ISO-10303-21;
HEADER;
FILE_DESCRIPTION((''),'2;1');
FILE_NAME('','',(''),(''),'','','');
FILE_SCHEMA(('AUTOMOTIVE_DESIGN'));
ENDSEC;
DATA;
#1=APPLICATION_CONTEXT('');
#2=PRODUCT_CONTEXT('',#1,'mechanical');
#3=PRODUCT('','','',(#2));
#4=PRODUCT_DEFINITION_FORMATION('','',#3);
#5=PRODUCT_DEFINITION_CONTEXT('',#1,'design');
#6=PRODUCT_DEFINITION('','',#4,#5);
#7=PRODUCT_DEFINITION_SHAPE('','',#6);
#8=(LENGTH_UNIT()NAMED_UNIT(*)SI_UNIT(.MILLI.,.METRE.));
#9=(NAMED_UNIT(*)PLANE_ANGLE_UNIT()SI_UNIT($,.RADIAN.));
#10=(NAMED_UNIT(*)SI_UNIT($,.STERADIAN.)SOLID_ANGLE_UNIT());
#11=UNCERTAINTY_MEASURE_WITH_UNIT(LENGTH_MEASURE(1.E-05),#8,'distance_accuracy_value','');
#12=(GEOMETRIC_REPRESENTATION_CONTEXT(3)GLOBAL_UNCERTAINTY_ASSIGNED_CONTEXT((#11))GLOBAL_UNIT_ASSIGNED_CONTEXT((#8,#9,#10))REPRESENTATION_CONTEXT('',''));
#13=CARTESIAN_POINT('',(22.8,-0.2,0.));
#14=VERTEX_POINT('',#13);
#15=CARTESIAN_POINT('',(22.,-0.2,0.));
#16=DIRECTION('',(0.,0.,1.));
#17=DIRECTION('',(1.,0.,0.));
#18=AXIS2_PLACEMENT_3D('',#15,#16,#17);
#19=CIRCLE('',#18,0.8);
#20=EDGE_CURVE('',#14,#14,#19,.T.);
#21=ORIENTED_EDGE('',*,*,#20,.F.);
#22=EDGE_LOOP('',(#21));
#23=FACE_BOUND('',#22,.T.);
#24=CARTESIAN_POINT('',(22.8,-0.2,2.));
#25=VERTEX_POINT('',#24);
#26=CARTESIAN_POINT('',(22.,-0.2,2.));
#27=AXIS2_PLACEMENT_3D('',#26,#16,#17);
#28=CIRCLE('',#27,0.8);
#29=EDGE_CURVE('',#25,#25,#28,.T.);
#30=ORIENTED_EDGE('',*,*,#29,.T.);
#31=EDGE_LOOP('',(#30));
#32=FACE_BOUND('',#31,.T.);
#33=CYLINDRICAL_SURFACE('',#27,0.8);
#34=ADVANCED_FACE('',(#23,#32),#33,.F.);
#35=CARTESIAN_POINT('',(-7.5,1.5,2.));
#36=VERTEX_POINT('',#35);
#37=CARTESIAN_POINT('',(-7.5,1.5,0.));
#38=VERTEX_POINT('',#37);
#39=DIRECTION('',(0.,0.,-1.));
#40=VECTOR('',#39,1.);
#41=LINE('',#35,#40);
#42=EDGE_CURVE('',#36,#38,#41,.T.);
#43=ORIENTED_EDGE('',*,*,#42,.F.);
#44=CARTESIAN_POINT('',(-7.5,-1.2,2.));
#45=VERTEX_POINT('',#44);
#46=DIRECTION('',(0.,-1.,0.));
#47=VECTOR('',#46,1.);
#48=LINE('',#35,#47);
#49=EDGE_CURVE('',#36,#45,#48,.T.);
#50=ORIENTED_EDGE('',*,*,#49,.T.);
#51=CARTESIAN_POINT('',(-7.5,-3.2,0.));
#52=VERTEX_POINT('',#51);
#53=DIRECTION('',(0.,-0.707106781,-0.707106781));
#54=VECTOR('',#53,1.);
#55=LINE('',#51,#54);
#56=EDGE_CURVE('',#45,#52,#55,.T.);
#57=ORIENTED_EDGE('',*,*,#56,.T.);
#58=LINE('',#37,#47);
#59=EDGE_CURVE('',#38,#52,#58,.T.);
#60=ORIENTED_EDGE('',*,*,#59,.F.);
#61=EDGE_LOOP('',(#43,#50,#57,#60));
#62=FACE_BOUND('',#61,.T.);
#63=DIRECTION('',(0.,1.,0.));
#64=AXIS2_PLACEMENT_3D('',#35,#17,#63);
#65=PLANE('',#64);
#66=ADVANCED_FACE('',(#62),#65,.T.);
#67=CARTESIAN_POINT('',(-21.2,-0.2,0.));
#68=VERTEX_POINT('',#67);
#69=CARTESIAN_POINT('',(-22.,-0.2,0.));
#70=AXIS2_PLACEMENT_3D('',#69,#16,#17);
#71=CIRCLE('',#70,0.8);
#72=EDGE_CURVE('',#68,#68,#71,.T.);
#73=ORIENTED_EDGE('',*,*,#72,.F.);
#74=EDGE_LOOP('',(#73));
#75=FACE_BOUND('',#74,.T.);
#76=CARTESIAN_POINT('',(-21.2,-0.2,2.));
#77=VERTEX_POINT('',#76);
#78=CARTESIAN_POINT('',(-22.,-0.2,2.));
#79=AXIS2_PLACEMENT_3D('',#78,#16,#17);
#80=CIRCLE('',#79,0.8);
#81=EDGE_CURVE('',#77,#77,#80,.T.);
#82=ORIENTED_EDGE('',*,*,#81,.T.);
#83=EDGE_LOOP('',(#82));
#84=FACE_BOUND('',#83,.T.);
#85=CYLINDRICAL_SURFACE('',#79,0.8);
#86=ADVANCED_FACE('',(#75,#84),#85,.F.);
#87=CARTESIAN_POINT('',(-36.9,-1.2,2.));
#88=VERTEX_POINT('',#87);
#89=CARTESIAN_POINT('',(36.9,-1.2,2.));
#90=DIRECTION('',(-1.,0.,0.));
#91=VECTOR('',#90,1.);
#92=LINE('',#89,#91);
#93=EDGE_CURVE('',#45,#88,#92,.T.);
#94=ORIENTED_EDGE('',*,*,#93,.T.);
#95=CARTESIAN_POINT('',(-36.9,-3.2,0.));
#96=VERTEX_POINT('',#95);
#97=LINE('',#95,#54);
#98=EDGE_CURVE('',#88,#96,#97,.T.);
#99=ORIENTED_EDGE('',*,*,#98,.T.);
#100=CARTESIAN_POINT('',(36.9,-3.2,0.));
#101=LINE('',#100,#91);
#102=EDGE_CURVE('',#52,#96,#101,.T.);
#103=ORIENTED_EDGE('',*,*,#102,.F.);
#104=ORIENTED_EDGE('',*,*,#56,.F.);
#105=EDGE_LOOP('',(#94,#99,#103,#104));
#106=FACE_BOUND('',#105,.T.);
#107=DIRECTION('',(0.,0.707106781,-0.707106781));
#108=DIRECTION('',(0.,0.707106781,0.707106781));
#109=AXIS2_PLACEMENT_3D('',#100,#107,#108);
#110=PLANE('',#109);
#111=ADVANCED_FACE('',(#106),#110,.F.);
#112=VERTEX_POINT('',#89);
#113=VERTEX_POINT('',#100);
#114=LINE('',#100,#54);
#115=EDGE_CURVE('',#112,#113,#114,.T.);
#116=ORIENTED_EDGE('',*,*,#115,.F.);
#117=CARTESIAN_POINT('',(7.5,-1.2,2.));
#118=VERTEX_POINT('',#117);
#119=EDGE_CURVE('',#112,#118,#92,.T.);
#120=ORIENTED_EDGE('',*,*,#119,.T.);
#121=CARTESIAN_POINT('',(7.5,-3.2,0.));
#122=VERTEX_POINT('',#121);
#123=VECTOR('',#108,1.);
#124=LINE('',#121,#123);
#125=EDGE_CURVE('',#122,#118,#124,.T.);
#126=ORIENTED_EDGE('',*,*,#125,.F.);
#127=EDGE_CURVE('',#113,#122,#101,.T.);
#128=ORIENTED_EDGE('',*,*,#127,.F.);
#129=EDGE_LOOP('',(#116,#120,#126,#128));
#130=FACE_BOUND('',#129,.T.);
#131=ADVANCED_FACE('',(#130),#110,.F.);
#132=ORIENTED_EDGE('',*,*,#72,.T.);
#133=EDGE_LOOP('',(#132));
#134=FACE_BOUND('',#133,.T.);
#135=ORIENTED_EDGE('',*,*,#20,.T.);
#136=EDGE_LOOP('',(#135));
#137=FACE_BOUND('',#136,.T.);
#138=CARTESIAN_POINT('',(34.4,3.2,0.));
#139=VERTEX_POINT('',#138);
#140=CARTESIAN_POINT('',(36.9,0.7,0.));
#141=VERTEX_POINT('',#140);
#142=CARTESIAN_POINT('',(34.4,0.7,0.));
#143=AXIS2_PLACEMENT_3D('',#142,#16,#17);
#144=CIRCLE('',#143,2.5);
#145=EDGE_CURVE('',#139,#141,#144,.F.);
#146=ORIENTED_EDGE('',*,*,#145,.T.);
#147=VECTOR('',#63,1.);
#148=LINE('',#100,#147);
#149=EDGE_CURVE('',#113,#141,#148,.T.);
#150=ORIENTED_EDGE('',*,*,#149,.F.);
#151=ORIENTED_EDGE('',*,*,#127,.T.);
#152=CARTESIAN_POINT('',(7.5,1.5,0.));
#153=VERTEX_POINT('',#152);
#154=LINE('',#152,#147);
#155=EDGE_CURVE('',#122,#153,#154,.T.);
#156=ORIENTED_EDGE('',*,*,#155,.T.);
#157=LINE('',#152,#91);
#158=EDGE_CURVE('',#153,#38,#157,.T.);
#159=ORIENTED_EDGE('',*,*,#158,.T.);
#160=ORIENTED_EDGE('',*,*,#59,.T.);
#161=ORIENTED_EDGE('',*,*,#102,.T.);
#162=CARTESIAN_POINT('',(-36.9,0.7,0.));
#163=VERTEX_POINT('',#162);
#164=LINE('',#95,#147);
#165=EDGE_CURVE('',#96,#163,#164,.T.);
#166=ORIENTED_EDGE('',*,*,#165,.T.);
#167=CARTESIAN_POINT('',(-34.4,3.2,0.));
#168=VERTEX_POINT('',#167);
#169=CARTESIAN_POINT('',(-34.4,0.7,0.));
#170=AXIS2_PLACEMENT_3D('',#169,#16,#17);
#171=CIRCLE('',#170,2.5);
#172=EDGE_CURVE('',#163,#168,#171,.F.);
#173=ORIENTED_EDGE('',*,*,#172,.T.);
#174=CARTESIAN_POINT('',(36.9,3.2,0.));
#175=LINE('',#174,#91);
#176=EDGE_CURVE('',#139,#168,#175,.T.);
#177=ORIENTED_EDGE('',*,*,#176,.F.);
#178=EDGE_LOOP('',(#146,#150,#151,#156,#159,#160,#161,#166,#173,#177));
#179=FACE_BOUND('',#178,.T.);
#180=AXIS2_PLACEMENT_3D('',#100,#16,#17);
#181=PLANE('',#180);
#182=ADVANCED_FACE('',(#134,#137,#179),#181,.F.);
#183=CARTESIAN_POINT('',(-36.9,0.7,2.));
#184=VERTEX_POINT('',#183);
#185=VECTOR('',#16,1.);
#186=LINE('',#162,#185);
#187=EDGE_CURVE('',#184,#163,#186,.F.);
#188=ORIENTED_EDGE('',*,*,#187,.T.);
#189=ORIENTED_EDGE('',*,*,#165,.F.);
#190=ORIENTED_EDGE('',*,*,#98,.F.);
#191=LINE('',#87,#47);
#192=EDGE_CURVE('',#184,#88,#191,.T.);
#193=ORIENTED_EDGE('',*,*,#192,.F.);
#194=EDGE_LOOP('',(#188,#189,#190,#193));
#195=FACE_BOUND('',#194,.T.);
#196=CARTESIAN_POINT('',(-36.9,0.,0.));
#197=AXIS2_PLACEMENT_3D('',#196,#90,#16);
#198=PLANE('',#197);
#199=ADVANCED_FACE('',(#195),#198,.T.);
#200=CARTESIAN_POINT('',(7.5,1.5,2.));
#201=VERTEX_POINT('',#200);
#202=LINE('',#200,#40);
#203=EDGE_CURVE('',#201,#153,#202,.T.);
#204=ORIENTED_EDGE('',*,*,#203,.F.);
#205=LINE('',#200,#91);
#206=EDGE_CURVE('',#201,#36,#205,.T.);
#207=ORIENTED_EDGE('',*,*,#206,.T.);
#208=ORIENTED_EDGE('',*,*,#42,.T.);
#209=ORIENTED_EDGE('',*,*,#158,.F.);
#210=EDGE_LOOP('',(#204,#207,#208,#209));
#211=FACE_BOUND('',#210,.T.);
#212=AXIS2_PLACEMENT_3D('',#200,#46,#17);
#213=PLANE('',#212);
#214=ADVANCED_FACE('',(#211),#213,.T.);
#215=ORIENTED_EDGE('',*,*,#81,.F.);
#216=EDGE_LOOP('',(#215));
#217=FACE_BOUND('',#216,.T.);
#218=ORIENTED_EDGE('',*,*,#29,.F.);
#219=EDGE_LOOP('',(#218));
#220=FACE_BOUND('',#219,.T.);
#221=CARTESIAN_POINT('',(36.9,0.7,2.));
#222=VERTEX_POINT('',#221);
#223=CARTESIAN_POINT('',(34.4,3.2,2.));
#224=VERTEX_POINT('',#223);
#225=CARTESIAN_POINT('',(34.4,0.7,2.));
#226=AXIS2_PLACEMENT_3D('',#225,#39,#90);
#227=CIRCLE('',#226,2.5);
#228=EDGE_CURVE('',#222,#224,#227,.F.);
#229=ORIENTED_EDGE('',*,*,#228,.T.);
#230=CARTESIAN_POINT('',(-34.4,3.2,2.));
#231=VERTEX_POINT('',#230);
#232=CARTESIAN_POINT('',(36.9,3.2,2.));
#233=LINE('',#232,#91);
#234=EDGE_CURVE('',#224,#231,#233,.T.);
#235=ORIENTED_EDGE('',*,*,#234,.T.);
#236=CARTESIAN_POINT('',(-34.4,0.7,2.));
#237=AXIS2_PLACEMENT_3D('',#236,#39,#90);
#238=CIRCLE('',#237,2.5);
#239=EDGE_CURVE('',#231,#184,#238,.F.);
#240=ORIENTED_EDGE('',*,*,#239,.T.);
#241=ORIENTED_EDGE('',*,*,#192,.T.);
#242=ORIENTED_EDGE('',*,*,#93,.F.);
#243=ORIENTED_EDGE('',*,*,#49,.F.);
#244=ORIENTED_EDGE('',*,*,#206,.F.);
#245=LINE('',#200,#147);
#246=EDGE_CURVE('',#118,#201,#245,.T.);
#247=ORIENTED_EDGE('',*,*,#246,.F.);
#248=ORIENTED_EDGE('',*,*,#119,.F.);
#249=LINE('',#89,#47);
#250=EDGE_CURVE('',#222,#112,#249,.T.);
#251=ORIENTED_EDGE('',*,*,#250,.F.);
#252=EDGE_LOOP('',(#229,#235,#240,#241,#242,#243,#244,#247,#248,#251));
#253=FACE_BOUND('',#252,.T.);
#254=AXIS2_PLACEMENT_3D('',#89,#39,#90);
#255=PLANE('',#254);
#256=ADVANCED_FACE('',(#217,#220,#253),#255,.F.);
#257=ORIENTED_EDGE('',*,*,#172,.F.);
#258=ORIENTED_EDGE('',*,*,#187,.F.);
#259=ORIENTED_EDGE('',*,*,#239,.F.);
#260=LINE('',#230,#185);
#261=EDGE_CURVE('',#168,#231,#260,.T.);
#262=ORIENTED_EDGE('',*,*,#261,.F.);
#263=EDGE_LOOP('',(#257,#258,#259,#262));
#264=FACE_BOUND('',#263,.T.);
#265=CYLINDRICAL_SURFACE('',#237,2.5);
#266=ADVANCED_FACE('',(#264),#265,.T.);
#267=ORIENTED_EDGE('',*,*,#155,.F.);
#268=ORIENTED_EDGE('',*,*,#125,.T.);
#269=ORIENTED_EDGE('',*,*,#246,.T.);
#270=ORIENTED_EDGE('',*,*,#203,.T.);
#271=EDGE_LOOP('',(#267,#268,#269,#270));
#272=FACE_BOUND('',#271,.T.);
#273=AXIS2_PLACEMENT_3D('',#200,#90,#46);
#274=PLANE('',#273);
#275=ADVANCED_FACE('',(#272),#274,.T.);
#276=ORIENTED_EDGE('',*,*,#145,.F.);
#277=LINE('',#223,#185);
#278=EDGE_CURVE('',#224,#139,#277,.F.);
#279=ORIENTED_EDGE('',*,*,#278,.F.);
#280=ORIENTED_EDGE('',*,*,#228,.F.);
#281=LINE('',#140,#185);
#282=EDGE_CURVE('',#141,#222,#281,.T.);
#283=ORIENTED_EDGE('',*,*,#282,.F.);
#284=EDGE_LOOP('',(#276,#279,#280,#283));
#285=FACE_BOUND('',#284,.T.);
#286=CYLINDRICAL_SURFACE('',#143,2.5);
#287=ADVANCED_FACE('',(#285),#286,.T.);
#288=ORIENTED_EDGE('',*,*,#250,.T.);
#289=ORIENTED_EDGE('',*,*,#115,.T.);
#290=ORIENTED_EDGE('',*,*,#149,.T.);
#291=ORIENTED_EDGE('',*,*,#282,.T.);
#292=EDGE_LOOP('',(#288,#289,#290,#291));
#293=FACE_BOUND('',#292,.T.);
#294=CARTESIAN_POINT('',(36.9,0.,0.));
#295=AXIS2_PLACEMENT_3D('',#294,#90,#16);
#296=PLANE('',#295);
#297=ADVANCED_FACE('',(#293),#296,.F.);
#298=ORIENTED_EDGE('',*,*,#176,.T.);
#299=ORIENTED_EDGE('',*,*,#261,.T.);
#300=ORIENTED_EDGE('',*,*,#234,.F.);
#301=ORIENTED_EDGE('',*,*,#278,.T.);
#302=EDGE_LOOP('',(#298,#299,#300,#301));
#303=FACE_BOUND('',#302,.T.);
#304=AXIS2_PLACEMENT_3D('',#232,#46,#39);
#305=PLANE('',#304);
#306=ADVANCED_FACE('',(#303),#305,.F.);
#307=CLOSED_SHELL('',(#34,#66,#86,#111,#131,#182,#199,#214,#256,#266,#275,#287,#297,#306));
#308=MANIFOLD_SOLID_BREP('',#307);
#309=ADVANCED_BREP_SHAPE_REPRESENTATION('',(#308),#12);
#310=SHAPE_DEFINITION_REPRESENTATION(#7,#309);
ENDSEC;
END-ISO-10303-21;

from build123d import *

# Parameters (mm, degrees)
BOSS_EXTRUDE1_DEPTH   = 36.9
M2X0_4_TAPPED_HOLE1_D = 1.6
SKETCH4_W             = 15
SKETCH4_H             = 4.7
CUT_EXTRUDE4_DEPTH    = 38.092452062
FILLET3_R             = 2.5


with BuildPart() as part:
    # Sketch1 → Boss-Extrude1 (new, symmetric)
    with BuildSketch(Plane(origin=(0, 0, 0), x_dir=(0, 0, -1), z_dir=(1, 0, 0))):
        Polygon((0, -3.2), (-2, -1.2), (-2, 3.2), (0, 3.2), align=None)
    extrude(amount=BOSS_EXTRUDE1_DEPTH, both=True)

    # M2x0.4 Tapped Hole1 (through all)
    with Locations(Plane.XY.offset(2)):
        with Locations((22, -0.2), (0, -0.2), (-22, -0.2)):
            Hole(M2X0_4_TAPPED_HOLE1_D / 2)

    # Sketch4 → Cut-Extrude4 (cut, through all)
    with BuildSketch(Plane.XY):
        with Locations((0, -0.85)):
            Rectangle(SKETCH4_W, SKETCH4_H)
    extrude(amount=CUT_EXTRUDE4_DEPTH, mode=Mode.SUBTRACT)

    # Fillet3
    fillet3_edges = [part.edges().sort_by_distance(p)[0] for p in [
        (-36.9, 3.2, 1),
        (36.9, 3.2, 1),
    ]]
    fillet(fillet3_edges, radius=FILLET3_R)


solid = part.part
